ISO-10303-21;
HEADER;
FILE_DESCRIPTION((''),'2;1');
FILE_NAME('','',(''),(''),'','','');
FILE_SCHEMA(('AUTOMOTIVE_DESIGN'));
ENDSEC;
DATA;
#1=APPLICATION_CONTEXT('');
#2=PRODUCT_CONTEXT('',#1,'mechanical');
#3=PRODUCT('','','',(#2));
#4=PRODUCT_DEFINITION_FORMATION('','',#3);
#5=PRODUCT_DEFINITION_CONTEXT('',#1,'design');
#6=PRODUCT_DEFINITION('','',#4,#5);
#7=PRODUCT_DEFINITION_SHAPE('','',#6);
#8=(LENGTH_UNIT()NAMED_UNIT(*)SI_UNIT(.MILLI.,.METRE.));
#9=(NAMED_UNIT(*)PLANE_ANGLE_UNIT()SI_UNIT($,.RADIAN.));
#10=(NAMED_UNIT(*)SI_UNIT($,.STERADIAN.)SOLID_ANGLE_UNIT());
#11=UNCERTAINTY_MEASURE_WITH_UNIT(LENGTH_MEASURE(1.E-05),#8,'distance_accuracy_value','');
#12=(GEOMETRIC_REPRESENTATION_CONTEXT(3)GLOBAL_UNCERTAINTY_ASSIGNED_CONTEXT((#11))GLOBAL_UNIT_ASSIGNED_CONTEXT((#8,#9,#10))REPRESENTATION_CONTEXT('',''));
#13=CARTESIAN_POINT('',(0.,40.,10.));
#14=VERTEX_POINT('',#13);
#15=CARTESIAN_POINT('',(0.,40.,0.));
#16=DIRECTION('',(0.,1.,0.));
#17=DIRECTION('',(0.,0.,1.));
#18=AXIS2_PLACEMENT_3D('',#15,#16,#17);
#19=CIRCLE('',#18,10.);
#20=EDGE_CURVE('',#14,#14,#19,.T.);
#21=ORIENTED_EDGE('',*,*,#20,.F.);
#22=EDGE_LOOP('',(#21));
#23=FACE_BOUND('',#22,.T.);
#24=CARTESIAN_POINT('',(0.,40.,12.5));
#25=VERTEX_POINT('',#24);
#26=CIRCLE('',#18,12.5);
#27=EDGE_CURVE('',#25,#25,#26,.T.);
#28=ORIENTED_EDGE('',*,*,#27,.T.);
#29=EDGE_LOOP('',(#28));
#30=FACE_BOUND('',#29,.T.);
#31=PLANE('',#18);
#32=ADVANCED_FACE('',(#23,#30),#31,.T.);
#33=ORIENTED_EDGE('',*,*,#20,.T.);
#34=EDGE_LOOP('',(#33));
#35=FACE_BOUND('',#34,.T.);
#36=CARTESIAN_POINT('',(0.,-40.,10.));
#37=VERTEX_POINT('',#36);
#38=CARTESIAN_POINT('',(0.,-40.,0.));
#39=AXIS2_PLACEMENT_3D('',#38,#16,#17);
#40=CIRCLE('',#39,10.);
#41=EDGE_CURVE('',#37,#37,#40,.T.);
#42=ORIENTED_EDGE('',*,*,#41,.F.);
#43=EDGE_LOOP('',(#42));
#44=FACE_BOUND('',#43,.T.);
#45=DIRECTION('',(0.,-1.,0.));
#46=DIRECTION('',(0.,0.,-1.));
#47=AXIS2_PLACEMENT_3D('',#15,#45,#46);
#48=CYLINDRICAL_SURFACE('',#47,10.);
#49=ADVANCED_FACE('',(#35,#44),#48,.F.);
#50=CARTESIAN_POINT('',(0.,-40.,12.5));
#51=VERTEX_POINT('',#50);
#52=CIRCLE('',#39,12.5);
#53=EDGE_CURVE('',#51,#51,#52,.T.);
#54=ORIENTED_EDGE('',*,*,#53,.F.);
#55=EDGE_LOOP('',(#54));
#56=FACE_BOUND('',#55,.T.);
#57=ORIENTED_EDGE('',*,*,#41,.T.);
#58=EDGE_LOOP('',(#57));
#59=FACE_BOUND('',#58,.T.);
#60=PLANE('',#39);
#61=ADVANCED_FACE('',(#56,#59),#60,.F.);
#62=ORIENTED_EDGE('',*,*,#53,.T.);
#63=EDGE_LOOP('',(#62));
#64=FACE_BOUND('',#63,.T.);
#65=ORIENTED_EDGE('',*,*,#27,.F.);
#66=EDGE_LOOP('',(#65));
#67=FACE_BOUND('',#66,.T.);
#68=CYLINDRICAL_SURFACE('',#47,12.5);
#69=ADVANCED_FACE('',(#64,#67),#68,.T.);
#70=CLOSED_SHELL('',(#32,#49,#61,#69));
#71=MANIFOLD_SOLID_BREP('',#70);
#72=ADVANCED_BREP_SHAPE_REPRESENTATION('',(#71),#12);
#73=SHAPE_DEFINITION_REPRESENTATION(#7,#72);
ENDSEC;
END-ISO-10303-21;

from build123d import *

# Parameters (mm, degrees)
CROQUIS1_R              = 12.5
CROQUIS1_R_2            = 10
SALIENTE_EXTRUIR1_DEPTH = 40


with BuildPart() as part:
    # Croquis1 → Saliente-Extruir1 (new body, symmetric)
    with BuildSketch(Plane(origin=(0, 0, 0), x_dir=(1, 0, 0), z_dir=(0, 1, 0))):
        Circle(CROQUIS1_R)
        Circle(CROQUIS1_R_2, mode=Mode.SUBTRACT)
    extrude(amount=SALIENTE_EXTRUIR1_DEPTH, both=True)


solid = part.part
